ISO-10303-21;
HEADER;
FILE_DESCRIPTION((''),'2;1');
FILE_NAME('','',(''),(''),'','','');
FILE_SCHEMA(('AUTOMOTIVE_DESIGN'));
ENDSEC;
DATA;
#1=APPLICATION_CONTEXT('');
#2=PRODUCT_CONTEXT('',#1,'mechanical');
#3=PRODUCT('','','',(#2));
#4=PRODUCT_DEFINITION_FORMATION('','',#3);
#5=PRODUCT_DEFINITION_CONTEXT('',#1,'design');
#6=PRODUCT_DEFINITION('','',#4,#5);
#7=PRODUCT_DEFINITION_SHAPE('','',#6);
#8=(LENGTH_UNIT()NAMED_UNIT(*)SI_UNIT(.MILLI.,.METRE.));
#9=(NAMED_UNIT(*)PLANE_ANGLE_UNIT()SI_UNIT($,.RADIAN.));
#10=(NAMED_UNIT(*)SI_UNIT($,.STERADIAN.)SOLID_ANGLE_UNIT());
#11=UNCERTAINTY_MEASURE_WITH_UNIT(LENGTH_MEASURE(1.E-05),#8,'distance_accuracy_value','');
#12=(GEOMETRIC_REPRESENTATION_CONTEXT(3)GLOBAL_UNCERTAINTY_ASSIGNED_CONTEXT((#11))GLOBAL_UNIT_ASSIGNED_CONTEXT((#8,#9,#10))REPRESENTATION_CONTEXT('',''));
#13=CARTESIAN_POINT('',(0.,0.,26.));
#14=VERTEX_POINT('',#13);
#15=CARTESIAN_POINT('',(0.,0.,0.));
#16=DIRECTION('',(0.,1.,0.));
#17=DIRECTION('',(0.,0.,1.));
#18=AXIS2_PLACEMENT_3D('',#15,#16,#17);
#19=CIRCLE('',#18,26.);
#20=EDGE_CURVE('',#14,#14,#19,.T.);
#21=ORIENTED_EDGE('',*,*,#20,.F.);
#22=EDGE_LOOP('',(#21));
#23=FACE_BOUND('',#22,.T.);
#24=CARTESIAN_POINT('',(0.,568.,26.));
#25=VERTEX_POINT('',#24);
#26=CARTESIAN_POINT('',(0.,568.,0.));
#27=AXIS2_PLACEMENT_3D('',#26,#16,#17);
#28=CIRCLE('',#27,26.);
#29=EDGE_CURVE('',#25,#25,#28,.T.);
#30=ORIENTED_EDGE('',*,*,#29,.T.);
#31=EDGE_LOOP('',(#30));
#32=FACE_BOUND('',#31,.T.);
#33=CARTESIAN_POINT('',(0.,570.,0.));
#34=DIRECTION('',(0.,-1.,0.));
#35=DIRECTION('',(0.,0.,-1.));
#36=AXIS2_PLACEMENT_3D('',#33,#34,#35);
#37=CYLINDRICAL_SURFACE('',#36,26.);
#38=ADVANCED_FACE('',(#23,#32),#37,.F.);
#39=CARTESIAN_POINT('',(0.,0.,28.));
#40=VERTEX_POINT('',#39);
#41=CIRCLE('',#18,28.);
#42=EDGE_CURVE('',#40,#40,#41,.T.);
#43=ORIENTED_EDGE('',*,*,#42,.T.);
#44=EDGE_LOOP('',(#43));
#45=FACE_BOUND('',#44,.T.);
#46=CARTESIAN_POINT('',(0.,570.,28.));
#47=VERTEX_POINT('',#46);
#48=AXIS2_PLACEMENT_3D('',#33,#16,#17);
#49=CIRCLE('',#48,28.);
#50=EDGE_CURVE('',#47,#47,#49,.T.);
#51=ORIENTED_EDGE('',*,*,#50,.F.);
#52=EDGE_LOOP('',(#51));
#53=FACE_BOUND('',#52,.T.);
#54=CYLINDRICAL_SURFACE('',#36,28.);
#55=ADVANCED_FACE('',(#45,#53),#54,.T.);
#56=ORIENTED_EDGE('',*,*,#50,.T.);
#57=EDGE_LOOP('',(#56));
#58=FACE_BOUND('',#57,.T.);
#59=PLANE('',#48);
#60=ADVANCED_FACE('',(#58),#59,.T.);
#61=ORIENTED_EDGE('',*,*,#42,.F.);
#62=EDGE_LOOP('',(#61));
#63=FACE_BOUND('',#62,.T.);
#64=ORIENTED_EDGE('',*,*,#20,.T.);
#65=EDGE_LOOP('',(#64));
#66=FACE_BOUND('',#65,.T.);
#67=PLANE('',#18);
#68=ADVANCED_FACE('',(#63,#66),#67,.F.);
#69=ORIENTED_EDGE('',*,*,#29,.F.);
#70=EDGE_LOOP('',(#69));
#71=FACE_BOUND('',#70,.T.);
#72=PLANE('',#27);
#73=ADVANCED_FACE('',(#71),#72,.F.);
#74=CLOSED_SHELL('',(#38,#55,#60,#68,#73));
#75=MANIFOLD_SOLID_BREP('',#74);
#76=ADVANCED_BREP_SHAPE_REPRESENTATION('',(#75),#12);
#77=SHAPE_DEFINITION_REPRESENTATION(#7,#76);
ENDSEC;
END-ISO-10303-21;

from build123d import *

# Parameters (mm, degrees)
SKETCH1_R           = 28
SKETCH1_R_2         = 26
BOSS_EXTRUDE1_DEPTH = 570
BOSS_EXTRUDE2_START = -2
SKETCH2_R           = 26
BOSS_EXTRUDE2_DEPTH = 2


with BuildPart() as part:
    # Sketch1 → Boss-Extrude1 (new body)
    with BuildSketch(Plane(origin=(0, 0, 0), x_dir=(1, 0, 0), z_dir=(0, 1, 0))):
        with Locations(Location((0, 0, 0), (0, 0, 270))):
            Circle(SKETCH1_R)
        with Locations(Location((0, 0, 0), (0, 0, 270))):
            Circle(SKETCH1_R_2, mode=Mode.SUBTRACT)
    extrude(amount=BOSS_EXTRUDE1_DEPTH)

    # Sketch2 → Boss-Extrude2 (add)
    with BuildSketch(Plane(origin=(0, 570, 0), x_dir=(1, 0, 0), z_dir=(0, 1, 0)).offset(BOSS_EXTRUDE2_START)):
        with Locations(Location((0, 0, 0), (0, 0, 270))):
            Circle(SKETCH2_R)
    extrude(amount=BOSS_EXTRUDE2_DEPTH)


solid = part.part
